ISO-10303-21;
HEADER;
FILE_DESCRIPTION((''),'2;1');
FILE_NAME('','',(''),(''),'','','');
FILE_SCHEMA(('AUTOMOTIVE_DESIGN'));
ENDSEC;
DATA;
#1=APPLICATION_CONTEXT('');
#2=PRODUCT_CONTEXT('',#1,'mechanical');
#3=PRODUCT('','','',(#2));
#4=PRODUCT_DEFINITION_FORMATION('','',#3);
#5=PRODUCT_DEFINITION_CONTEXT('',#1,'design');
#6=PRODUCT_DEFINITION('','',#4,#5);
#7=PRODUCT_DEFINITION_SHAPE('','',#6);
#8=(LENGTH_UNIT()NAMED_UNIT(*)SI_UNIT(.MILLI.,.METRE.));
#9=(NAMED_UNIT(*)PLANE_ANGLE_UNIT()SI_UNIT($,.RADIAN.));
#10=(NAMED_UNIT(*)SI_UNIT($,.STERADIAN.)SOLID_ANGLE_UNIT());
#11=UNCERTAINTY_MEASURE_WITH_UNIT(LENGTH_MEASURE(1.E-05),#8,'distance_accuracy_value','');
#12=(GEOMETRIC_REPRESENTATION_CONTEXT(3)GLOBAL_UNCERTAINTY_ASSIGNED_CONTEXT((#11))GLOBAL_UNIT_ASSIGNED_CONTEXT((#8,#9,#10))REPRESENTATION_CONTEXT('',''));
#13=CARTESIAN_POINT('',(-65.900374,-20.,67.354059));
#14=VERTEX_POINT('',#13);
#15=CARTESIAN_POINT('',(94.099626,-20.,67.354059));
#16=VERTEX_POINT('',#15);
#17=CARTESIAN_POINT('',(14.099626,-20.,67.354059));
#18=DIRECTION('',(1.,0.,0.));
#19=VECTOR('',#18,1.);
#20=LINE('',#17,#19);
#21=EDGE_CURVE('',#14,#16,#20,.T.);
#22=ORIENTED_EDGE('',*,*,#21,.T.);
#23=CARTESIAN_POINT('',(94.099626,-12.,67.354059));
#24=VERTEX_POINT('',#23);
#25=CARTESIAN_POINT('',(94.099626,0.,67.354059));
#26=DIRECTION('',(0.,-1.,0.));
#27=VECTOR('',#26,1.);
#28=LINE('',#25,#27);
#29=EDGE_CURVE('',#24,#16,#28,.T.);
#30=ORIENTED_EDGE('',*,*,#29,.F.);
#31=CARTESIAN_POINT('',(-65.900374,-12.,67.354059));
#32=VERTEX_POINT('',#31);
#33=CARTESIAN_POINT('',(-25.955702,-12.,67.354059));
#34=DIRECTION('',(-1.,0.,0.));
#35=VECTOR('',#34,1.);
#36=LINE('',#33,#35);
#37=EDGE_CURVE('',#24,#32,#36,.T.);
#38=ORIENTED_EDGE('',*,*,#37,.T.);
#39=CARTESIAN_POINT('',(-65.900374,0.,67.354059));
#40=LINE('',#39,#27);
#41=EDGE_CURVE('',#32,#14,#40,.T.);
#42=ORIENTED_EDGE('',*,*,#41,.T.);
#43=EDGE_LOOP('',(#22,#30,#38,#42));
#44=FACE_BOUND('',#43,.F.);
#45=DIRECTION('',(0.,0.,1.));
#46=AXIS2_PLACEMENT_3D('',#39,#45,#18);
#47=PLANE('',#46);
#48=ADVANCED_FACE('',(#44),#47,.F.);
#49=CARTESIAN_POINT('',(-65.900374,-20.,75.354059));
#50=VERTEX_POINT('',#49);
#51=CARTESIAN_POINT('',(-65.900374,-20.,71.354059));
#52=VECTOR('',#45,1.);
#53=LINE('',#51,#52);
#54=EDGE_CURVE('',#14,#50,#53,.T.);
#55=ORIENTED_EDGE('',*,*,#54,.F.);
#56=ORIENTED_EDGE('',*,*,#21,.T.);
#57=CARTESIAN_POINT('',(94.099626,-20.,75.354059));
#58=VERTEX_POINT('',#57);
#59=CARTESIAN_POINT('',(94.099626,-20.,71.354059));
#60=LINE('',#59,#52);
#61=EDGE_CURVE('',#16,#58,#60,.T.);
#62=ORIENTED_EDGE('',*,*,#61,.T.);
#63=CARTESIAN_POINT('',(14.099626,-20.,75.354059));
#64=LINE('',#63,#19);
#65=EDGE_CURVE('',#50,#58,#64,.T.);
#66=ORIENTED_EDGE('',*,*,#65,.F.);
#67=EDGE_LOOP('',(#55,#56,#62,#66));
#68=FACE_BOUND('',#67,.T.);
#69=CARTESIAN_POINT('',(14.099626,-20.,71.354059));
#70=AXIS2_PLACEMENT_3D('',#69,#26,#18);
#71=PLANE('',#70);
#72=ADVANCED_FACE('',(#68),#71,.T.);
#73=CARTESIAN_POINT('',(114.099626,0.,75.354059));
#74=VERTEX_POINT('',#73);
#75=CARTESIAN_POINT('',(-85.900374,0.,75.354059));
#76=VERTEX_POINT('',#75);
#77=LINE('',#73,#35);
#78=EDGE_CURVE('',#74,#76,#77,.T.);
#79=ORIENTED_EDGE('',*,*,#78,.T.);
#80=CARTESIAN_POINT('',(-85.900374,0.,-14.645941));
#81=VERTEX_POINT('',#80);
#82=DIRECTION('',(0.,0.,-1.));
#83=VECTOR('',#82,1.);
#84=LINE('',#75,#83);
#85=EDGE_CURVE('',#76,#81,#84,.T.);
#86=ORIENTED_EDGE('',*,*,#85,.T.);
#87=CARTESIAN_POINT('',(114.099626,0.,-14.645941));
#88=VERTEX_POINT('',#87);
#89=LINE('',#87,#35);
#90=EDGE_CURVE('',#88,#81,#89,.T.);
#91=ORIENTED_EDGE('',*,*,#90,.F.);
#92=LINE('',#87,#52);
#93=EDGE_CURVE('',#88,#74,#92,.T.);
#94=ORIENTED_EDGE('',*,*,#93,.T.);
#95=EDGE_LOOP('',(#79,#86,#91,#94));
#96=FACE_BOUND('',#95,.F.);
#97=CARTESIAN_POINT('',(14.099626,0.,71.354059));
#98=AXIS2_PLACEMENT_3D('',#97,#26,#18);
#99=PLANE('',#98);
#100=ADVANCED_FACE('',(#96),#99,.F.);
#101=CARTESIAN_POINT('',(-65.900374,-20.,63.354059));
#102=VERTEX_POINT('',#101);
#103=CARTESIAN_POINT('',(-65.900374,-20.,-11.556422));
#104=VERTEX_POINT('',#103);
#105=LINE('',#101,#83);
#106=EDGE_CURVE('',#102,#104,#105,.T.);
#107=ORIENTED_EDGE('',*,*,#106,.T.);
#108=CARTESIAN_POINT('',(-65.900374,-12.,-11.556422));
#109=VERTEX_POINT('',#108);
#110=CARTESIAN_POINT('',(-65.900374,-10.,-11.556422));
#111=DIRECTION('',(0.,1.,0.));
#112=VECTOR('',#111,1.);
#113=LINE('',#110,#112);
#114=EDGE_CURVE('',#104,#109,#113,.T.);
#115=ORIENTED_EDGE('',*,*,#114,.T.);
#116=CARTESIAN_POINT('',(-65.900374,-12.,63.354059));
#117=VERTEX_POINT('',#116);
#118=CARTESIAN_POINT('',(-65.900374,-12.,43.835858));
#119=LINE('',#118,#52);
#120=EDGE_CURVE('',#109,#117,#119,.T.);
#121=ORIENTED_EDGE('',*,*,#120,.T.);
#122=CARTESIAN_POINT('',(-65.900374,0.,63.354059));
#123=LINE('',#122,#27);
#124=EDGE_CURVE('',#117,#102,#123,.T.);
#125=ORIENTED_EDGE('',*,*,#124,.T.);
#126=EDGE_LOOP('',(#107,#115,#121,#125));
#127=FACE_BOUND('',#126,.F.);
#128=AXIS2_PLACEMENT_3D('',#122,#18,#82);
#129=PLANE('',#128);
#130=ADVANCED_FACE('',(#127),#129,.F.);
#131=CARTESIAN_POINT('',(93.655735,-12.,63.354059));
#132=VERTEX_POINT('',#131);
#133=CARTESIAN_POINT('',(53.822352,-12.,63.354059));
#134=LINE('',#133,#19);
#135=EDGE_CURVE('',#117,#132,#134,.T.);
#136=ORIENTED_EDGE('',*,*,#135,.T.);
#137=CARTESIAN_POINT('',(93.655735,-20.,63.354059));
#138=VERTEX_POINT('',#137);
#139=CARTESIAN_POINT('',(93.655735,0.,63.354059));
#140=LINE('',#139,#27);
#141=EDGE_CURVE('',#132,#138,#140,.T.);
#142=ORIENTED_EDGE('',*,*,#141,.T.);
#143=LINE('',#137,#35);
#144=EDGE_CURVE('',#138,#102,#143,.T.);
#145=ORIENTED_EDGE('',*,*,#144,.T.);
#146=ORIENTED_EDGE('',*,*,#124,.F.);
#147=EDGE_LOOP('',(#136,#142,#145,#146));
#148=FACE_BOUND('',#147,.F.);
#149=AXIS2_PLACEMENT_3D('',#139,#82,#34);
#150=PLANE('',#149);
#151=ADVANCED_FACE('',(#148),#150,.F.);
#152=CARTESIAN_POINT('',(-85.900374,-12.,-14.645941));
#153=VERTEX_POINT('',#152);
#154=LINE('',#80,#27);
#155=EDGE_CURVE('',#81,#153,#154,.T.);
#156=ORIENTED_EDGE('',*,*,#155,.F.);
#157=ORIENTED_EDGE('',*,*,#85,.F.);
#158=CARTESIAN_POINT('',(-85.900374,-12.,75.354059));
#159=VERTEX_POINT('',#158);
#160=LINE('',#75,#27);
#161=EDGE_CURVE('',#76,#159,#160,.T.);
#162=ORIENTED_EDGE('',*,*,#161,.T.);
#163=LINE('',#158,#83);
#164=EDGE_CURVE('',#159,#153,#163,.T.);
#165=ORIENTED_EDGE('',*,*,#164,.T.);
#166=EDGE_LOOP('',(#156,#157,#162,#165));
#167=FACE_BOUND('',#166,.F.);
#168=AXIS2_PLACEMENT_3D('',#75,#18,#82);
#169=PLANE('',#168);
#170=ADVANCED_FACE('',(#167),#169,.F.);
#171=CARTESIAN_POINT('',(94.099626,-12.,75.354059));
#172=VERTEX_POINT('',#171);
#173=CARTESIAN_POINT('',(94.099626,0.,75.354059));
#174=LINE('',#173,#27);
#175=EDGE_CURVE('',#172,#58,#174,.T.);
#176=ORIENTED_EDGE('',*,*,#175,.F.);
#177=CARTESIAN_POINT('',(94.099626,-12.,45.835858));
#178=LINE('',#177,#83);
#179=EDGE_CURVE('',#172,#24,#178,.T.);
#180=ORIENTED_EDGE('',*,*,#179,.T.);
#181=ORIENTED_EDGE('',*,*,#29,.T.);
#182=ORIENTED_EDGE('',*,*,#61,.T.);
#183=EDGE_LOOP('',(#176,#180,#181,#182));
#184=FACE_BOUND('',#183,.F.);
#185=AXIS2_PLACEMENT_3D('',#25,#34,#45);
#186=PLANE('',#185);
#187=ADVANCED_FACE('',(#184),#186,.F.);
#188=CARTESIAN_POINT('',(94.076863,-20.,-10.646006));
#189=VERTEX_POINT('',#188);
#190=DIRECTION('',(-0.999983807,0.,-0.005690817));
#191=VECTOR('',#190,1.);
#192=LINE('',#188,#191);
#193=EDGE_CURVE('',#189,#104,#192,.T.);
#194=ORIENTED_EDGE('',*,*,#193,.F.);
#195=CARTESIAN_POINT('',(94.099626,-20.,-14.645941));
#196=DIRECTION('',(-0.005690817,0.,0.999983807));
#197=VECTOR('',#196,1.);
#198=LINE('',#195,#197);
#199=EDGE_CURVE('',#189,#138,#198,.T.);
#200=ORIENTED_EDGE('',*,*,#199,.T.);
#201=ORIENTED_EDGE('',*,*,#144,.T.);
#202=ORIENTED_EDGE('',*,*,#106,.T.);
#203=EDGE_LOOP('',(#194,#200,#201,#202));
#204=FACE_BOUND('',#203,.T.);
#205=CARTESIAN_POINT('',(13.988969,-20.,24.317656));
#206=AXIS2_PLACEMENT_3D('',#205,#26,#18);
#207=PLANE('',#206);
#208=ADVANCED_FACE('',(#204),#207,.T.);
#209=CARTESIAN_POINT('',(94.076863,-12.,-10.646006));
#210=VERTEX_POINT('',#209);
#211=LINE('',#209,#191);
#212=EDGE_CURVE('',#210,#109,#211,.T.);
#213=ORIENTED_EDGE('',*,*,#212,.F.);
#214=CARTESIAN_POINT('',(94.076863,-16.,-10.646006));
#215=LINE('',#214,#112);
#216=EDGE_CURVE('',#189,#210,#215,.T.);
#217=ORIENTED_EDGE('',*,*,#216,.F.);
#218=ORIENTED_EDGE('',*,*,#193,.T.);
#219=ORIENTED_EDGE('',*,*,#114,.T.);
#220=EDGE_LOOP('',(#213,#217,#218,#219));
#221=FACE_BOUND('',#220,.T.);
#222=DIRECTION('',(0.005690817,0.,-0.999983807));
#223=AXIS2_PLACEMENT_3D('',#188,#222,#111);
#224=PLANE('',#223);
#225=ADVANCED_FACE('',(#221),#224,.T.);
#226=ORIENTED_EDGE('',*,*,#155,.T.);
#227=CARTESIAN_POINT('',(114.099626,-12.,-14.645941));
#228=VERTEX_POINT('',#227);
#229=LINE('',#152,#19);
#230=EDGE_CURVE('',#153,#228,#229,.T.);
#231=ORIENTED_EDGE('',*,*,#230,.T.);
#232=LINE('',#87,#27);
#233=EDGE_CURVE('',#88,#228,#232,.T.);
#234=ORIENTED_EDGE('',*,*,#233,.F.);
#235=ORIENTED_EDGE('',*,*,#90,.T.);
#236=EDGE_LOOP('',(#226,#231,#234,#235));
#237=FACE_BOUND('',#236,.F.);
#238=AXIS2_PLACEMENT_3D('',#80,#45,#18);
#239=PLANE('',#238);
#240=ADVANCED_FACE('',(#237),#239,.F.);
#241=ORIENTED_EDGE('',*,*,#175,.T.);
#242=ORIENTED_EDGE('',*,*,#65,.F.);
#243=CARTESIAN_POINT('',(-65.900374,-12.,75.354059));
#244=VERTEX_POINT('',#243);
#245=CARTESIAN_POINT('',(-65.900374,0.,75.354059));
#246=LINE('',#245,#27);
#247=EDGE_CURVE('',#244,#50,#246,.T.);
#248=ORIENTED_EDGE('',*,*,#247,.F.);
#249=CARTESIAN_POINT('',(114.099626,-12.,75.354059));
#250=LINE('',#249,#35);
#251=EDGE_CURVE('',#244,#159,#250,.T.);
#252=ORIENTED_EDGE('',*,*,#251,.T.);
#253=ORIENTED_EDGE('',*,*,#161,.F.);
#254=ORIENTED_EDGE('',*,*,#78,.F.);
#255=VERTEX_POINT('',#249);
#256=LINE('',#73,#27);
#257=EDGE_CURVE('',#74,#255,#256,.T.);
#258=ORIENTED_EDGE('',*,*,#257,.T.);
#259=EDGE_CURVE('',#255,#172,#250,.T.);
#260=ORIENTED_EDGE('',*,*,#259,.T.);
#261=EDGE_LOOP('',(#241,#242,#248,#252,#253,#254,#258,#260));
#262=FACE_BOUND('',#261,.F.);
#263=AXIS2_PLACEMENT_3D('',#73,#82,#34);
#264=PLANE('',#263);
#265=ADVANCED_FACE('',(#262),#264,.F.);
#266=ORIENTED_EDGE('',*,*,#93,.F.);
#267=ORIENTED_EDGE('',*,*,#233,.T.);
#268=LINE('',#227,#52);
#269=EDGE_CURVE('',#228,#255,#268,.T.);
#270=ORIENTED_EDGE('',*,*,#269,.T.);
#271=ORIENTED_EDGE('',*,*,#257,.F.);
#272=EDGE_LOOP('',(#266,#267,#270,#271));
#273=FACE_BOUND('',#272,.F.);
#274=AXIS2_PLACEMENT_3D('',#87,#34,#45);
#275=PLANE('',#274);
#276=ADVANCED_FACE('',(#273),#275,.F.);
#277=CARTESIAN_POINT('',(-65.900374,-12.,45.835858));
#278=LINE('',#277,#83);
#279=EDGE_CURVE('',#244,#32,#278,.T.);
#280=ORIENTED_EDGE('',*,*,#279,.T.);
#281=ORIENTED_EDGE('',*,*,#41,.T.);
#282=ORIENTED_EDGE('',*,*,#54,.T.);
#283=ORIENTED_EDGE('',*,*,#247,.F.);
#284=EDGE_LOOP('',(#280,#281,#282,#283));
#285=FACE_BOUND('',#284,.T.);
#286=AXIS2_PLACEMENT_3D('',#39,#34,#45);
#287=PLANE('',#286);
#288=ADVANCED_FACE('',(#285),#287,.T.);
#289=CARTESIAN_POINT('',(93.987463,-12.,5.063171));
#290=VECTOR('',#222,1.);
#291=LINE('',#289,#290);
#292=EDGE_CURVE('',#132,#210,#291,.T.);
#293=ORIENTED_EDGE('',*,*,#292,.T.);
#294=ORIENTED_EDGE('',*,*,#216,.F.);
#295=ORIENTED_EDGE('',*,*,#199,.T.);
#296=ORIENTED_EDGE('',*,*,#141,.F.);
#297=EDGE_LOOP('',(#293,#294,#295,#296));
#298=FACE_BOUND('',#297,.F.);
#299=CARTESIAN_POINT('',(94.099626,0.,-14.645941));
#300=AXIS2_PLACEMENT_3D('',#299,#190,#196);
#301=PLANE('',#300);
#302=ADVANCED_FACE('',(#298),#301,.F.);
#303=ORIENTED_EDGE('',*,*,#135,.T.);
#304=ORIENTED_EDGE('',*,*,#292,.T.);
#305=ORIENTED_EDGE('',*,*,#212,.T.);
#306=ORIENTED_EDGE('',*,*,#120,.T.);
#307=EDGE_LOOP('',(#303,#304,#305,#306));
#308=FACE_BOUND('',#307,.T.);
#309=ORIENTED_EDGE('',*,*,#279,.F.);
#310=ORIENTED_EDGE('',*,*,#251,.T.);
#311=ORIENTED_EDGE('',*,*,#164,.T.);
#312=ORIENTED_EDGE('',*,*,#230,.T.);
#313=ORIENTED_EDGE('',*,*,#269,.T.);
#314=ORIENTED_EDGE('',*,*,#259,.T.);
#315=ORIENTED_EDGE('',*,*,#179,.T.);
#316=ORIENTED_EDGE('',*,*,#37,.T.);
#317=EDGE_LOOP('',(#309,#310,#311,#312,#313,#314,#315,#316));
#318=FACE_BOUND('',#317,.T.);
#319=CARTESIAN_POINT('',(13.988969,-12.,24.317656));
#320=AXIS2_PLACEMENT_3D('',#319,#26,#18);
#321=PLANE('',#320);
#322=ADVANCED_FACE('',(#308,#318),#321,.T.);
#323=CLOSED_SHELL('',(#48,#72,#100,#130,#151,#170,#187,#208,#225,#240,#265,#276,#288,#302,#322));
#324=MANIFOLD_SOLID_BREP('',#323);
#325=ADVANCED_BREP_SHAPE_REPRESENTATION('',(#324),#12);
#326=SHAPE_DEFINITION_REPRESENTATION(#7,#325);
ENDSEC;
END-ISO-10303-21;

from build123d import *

# Parameters (mm, degrees)
F0_W     = 160
F0_H     = 8
F1_DEPTH = 12
F2_DEPTH = 20
F3_W     = 8
F3_H     = 4
F4_DEPTH = 159.9984091469


with BuildPart() as f1:
    # F0 (on Front) → F1 (new body)
    with BuildSketch(Plane.XZ):
        Polygon((-65.9003738091, 63.3540591938), (-65.9003738091, -14.6459408062), (94.0996261909, -14.6459408062), (93.6557352543, 63.3540591938), align=None)
        Polygon((-85.9003738091, -14.6459408062), (-65.9003738091, -14.6459408062), (-65.9003738091, 63.3540591938), (93.6557352543, 63.3540591938), (94.0996261909, -14.6459408062), (114.0996261909, -14.6459408062), (114.0996261909, 75.3540591938), (94.0996261909, 75.3540591938), (94.0996261909, 67.3540591938), (-65.9003738091, 67.3540591938), (-65.9003738091, 75.3540591938), (-85.9003738091, 75.3540591938), align=None)
        with Locations((14.0996261909, 71.3540591938)):
            Rectangle(F0_W, F0_H)
    extrude(amount=F1_DEPTH)

    # F0 (on Front) → F2 (join)
    with BuildSketch(Plane.XZ):
        with Locations((14.0996261909, 71.3540591938)):
            Rectangle(F0_W, F0_H)
        Polygon((-65.9003738091, 63.3540591938), (-65.9003738091, -14.6459408062), (94.0996261909, -14.6459408062), (93.6557352543, 63.3540591938), align=None)
    extrude(amount=F2_DEPTH)

    # F3 (on face) → F4 (cut, through all)
    with BuildSketch(Plane(origin=(94.0132327131, 0, 0.5350207939), x_dir=(0, 1, 0), z_dir=(0.9999838072, 0, 0.0056908173))):
        with Locations((-16, -13.1812074268)):
            Rectangle(F3_W, F3_H)
    extrude(amount=-F4_DEPTH, mode=Mode.SUBTRACT)


solid = f1.part
